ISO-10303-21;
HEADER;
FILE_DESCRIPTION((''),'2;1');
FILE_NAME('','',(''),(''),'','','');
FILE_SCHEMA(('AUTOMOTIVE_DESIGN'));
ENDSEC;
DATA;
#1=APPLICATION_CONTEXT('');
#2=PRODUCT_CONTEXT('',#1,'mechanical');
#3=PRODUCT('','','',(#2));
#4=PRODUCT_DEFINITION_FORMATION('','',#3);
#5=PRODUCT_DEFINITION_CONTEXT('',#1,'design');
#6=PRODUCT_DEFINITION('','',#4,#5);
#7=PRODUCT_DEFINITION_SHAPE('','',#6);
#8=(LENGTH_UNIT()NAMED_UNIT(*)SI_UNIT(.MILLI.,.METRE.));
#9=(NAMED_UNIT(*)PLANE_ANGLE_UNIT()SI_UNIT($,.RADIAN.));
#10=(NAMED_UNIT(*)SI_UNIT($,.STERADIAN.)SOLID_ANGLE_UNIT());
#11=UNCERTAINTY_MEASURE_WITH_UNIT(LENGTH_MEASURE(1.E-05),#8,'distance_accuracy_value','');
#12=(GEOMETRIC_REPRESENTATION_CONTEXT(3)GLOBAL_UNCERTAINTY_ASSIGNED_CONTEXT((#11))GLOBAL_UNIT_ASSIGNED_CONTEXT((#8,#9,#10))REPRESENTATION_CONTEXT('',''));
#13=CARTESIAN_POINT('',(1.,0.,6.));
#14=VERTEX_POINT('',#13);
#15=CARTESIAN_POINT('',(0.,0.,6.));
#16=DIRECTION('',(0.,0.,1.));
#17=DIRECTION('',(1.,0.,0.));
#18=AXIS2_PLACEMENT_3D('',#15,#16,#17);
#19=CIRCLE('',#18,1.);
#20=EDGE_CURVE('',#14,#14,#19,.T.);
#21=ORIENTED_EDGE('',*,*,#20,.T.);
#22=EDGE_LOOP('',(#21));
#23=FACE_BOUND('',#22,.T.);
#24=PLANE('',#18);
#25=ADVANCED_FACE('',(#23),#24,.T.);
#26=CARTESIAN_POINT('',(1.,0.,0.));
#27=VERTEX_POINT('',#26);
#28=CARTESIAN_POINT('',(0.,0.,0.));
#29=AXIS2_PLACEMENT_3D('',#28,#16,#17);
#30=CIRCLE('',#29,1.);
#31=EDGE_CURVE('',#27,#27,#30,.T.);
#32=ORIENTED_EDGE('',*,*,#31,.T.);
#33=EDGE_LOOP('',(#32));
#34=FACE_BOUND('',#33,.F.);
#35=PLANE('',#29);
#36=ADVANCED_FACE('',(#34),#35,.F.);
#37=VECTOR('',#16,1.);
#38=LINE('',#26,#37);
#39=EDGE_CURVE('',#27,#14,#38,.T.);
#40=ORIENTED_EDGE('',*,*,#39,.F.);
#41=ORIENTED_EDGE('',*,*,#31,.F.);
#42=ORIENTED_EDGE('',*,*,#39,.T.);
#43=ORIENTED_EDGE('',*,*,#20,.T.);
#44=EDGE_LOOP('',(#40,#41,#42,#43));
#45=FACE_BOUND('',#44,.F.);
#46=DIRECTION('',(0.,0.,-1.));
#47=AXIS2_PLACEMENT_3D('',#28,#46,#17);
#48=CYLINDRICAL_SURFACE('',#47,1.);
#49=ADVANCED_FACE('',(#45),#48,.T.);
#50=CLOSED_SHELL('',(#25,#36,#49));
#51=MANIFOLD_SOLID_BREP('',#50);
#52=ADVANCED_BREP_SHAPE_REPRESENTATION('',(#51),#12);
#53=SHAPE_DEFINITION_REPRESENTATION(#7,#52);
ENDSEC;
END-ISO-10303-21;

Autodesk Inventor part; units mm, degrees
ref_plane "YZ Plane" through (0, 0, 0) normal (1, 0, 0) x (0, 1, 0)
ref_plane "XZ Plane" through (0, 0, 0) normal (0, 1, 0) x (-1, 0, 0)
ref_plane "XY Plane" through (0, 0, 0) normal (0, 0, 1) x (1, 0, 0)
sketch "Sketch1" plane through (0, 0, 0) normal (0, 0, 1) x (1, 0, 0)
  circle A0 centre (0, 0) radius 1
  dimension "d0" = 2
extrude "Extrusion1" add sketch "Sketch1" along normal blind 6
properties part number "ScrewDummy"
